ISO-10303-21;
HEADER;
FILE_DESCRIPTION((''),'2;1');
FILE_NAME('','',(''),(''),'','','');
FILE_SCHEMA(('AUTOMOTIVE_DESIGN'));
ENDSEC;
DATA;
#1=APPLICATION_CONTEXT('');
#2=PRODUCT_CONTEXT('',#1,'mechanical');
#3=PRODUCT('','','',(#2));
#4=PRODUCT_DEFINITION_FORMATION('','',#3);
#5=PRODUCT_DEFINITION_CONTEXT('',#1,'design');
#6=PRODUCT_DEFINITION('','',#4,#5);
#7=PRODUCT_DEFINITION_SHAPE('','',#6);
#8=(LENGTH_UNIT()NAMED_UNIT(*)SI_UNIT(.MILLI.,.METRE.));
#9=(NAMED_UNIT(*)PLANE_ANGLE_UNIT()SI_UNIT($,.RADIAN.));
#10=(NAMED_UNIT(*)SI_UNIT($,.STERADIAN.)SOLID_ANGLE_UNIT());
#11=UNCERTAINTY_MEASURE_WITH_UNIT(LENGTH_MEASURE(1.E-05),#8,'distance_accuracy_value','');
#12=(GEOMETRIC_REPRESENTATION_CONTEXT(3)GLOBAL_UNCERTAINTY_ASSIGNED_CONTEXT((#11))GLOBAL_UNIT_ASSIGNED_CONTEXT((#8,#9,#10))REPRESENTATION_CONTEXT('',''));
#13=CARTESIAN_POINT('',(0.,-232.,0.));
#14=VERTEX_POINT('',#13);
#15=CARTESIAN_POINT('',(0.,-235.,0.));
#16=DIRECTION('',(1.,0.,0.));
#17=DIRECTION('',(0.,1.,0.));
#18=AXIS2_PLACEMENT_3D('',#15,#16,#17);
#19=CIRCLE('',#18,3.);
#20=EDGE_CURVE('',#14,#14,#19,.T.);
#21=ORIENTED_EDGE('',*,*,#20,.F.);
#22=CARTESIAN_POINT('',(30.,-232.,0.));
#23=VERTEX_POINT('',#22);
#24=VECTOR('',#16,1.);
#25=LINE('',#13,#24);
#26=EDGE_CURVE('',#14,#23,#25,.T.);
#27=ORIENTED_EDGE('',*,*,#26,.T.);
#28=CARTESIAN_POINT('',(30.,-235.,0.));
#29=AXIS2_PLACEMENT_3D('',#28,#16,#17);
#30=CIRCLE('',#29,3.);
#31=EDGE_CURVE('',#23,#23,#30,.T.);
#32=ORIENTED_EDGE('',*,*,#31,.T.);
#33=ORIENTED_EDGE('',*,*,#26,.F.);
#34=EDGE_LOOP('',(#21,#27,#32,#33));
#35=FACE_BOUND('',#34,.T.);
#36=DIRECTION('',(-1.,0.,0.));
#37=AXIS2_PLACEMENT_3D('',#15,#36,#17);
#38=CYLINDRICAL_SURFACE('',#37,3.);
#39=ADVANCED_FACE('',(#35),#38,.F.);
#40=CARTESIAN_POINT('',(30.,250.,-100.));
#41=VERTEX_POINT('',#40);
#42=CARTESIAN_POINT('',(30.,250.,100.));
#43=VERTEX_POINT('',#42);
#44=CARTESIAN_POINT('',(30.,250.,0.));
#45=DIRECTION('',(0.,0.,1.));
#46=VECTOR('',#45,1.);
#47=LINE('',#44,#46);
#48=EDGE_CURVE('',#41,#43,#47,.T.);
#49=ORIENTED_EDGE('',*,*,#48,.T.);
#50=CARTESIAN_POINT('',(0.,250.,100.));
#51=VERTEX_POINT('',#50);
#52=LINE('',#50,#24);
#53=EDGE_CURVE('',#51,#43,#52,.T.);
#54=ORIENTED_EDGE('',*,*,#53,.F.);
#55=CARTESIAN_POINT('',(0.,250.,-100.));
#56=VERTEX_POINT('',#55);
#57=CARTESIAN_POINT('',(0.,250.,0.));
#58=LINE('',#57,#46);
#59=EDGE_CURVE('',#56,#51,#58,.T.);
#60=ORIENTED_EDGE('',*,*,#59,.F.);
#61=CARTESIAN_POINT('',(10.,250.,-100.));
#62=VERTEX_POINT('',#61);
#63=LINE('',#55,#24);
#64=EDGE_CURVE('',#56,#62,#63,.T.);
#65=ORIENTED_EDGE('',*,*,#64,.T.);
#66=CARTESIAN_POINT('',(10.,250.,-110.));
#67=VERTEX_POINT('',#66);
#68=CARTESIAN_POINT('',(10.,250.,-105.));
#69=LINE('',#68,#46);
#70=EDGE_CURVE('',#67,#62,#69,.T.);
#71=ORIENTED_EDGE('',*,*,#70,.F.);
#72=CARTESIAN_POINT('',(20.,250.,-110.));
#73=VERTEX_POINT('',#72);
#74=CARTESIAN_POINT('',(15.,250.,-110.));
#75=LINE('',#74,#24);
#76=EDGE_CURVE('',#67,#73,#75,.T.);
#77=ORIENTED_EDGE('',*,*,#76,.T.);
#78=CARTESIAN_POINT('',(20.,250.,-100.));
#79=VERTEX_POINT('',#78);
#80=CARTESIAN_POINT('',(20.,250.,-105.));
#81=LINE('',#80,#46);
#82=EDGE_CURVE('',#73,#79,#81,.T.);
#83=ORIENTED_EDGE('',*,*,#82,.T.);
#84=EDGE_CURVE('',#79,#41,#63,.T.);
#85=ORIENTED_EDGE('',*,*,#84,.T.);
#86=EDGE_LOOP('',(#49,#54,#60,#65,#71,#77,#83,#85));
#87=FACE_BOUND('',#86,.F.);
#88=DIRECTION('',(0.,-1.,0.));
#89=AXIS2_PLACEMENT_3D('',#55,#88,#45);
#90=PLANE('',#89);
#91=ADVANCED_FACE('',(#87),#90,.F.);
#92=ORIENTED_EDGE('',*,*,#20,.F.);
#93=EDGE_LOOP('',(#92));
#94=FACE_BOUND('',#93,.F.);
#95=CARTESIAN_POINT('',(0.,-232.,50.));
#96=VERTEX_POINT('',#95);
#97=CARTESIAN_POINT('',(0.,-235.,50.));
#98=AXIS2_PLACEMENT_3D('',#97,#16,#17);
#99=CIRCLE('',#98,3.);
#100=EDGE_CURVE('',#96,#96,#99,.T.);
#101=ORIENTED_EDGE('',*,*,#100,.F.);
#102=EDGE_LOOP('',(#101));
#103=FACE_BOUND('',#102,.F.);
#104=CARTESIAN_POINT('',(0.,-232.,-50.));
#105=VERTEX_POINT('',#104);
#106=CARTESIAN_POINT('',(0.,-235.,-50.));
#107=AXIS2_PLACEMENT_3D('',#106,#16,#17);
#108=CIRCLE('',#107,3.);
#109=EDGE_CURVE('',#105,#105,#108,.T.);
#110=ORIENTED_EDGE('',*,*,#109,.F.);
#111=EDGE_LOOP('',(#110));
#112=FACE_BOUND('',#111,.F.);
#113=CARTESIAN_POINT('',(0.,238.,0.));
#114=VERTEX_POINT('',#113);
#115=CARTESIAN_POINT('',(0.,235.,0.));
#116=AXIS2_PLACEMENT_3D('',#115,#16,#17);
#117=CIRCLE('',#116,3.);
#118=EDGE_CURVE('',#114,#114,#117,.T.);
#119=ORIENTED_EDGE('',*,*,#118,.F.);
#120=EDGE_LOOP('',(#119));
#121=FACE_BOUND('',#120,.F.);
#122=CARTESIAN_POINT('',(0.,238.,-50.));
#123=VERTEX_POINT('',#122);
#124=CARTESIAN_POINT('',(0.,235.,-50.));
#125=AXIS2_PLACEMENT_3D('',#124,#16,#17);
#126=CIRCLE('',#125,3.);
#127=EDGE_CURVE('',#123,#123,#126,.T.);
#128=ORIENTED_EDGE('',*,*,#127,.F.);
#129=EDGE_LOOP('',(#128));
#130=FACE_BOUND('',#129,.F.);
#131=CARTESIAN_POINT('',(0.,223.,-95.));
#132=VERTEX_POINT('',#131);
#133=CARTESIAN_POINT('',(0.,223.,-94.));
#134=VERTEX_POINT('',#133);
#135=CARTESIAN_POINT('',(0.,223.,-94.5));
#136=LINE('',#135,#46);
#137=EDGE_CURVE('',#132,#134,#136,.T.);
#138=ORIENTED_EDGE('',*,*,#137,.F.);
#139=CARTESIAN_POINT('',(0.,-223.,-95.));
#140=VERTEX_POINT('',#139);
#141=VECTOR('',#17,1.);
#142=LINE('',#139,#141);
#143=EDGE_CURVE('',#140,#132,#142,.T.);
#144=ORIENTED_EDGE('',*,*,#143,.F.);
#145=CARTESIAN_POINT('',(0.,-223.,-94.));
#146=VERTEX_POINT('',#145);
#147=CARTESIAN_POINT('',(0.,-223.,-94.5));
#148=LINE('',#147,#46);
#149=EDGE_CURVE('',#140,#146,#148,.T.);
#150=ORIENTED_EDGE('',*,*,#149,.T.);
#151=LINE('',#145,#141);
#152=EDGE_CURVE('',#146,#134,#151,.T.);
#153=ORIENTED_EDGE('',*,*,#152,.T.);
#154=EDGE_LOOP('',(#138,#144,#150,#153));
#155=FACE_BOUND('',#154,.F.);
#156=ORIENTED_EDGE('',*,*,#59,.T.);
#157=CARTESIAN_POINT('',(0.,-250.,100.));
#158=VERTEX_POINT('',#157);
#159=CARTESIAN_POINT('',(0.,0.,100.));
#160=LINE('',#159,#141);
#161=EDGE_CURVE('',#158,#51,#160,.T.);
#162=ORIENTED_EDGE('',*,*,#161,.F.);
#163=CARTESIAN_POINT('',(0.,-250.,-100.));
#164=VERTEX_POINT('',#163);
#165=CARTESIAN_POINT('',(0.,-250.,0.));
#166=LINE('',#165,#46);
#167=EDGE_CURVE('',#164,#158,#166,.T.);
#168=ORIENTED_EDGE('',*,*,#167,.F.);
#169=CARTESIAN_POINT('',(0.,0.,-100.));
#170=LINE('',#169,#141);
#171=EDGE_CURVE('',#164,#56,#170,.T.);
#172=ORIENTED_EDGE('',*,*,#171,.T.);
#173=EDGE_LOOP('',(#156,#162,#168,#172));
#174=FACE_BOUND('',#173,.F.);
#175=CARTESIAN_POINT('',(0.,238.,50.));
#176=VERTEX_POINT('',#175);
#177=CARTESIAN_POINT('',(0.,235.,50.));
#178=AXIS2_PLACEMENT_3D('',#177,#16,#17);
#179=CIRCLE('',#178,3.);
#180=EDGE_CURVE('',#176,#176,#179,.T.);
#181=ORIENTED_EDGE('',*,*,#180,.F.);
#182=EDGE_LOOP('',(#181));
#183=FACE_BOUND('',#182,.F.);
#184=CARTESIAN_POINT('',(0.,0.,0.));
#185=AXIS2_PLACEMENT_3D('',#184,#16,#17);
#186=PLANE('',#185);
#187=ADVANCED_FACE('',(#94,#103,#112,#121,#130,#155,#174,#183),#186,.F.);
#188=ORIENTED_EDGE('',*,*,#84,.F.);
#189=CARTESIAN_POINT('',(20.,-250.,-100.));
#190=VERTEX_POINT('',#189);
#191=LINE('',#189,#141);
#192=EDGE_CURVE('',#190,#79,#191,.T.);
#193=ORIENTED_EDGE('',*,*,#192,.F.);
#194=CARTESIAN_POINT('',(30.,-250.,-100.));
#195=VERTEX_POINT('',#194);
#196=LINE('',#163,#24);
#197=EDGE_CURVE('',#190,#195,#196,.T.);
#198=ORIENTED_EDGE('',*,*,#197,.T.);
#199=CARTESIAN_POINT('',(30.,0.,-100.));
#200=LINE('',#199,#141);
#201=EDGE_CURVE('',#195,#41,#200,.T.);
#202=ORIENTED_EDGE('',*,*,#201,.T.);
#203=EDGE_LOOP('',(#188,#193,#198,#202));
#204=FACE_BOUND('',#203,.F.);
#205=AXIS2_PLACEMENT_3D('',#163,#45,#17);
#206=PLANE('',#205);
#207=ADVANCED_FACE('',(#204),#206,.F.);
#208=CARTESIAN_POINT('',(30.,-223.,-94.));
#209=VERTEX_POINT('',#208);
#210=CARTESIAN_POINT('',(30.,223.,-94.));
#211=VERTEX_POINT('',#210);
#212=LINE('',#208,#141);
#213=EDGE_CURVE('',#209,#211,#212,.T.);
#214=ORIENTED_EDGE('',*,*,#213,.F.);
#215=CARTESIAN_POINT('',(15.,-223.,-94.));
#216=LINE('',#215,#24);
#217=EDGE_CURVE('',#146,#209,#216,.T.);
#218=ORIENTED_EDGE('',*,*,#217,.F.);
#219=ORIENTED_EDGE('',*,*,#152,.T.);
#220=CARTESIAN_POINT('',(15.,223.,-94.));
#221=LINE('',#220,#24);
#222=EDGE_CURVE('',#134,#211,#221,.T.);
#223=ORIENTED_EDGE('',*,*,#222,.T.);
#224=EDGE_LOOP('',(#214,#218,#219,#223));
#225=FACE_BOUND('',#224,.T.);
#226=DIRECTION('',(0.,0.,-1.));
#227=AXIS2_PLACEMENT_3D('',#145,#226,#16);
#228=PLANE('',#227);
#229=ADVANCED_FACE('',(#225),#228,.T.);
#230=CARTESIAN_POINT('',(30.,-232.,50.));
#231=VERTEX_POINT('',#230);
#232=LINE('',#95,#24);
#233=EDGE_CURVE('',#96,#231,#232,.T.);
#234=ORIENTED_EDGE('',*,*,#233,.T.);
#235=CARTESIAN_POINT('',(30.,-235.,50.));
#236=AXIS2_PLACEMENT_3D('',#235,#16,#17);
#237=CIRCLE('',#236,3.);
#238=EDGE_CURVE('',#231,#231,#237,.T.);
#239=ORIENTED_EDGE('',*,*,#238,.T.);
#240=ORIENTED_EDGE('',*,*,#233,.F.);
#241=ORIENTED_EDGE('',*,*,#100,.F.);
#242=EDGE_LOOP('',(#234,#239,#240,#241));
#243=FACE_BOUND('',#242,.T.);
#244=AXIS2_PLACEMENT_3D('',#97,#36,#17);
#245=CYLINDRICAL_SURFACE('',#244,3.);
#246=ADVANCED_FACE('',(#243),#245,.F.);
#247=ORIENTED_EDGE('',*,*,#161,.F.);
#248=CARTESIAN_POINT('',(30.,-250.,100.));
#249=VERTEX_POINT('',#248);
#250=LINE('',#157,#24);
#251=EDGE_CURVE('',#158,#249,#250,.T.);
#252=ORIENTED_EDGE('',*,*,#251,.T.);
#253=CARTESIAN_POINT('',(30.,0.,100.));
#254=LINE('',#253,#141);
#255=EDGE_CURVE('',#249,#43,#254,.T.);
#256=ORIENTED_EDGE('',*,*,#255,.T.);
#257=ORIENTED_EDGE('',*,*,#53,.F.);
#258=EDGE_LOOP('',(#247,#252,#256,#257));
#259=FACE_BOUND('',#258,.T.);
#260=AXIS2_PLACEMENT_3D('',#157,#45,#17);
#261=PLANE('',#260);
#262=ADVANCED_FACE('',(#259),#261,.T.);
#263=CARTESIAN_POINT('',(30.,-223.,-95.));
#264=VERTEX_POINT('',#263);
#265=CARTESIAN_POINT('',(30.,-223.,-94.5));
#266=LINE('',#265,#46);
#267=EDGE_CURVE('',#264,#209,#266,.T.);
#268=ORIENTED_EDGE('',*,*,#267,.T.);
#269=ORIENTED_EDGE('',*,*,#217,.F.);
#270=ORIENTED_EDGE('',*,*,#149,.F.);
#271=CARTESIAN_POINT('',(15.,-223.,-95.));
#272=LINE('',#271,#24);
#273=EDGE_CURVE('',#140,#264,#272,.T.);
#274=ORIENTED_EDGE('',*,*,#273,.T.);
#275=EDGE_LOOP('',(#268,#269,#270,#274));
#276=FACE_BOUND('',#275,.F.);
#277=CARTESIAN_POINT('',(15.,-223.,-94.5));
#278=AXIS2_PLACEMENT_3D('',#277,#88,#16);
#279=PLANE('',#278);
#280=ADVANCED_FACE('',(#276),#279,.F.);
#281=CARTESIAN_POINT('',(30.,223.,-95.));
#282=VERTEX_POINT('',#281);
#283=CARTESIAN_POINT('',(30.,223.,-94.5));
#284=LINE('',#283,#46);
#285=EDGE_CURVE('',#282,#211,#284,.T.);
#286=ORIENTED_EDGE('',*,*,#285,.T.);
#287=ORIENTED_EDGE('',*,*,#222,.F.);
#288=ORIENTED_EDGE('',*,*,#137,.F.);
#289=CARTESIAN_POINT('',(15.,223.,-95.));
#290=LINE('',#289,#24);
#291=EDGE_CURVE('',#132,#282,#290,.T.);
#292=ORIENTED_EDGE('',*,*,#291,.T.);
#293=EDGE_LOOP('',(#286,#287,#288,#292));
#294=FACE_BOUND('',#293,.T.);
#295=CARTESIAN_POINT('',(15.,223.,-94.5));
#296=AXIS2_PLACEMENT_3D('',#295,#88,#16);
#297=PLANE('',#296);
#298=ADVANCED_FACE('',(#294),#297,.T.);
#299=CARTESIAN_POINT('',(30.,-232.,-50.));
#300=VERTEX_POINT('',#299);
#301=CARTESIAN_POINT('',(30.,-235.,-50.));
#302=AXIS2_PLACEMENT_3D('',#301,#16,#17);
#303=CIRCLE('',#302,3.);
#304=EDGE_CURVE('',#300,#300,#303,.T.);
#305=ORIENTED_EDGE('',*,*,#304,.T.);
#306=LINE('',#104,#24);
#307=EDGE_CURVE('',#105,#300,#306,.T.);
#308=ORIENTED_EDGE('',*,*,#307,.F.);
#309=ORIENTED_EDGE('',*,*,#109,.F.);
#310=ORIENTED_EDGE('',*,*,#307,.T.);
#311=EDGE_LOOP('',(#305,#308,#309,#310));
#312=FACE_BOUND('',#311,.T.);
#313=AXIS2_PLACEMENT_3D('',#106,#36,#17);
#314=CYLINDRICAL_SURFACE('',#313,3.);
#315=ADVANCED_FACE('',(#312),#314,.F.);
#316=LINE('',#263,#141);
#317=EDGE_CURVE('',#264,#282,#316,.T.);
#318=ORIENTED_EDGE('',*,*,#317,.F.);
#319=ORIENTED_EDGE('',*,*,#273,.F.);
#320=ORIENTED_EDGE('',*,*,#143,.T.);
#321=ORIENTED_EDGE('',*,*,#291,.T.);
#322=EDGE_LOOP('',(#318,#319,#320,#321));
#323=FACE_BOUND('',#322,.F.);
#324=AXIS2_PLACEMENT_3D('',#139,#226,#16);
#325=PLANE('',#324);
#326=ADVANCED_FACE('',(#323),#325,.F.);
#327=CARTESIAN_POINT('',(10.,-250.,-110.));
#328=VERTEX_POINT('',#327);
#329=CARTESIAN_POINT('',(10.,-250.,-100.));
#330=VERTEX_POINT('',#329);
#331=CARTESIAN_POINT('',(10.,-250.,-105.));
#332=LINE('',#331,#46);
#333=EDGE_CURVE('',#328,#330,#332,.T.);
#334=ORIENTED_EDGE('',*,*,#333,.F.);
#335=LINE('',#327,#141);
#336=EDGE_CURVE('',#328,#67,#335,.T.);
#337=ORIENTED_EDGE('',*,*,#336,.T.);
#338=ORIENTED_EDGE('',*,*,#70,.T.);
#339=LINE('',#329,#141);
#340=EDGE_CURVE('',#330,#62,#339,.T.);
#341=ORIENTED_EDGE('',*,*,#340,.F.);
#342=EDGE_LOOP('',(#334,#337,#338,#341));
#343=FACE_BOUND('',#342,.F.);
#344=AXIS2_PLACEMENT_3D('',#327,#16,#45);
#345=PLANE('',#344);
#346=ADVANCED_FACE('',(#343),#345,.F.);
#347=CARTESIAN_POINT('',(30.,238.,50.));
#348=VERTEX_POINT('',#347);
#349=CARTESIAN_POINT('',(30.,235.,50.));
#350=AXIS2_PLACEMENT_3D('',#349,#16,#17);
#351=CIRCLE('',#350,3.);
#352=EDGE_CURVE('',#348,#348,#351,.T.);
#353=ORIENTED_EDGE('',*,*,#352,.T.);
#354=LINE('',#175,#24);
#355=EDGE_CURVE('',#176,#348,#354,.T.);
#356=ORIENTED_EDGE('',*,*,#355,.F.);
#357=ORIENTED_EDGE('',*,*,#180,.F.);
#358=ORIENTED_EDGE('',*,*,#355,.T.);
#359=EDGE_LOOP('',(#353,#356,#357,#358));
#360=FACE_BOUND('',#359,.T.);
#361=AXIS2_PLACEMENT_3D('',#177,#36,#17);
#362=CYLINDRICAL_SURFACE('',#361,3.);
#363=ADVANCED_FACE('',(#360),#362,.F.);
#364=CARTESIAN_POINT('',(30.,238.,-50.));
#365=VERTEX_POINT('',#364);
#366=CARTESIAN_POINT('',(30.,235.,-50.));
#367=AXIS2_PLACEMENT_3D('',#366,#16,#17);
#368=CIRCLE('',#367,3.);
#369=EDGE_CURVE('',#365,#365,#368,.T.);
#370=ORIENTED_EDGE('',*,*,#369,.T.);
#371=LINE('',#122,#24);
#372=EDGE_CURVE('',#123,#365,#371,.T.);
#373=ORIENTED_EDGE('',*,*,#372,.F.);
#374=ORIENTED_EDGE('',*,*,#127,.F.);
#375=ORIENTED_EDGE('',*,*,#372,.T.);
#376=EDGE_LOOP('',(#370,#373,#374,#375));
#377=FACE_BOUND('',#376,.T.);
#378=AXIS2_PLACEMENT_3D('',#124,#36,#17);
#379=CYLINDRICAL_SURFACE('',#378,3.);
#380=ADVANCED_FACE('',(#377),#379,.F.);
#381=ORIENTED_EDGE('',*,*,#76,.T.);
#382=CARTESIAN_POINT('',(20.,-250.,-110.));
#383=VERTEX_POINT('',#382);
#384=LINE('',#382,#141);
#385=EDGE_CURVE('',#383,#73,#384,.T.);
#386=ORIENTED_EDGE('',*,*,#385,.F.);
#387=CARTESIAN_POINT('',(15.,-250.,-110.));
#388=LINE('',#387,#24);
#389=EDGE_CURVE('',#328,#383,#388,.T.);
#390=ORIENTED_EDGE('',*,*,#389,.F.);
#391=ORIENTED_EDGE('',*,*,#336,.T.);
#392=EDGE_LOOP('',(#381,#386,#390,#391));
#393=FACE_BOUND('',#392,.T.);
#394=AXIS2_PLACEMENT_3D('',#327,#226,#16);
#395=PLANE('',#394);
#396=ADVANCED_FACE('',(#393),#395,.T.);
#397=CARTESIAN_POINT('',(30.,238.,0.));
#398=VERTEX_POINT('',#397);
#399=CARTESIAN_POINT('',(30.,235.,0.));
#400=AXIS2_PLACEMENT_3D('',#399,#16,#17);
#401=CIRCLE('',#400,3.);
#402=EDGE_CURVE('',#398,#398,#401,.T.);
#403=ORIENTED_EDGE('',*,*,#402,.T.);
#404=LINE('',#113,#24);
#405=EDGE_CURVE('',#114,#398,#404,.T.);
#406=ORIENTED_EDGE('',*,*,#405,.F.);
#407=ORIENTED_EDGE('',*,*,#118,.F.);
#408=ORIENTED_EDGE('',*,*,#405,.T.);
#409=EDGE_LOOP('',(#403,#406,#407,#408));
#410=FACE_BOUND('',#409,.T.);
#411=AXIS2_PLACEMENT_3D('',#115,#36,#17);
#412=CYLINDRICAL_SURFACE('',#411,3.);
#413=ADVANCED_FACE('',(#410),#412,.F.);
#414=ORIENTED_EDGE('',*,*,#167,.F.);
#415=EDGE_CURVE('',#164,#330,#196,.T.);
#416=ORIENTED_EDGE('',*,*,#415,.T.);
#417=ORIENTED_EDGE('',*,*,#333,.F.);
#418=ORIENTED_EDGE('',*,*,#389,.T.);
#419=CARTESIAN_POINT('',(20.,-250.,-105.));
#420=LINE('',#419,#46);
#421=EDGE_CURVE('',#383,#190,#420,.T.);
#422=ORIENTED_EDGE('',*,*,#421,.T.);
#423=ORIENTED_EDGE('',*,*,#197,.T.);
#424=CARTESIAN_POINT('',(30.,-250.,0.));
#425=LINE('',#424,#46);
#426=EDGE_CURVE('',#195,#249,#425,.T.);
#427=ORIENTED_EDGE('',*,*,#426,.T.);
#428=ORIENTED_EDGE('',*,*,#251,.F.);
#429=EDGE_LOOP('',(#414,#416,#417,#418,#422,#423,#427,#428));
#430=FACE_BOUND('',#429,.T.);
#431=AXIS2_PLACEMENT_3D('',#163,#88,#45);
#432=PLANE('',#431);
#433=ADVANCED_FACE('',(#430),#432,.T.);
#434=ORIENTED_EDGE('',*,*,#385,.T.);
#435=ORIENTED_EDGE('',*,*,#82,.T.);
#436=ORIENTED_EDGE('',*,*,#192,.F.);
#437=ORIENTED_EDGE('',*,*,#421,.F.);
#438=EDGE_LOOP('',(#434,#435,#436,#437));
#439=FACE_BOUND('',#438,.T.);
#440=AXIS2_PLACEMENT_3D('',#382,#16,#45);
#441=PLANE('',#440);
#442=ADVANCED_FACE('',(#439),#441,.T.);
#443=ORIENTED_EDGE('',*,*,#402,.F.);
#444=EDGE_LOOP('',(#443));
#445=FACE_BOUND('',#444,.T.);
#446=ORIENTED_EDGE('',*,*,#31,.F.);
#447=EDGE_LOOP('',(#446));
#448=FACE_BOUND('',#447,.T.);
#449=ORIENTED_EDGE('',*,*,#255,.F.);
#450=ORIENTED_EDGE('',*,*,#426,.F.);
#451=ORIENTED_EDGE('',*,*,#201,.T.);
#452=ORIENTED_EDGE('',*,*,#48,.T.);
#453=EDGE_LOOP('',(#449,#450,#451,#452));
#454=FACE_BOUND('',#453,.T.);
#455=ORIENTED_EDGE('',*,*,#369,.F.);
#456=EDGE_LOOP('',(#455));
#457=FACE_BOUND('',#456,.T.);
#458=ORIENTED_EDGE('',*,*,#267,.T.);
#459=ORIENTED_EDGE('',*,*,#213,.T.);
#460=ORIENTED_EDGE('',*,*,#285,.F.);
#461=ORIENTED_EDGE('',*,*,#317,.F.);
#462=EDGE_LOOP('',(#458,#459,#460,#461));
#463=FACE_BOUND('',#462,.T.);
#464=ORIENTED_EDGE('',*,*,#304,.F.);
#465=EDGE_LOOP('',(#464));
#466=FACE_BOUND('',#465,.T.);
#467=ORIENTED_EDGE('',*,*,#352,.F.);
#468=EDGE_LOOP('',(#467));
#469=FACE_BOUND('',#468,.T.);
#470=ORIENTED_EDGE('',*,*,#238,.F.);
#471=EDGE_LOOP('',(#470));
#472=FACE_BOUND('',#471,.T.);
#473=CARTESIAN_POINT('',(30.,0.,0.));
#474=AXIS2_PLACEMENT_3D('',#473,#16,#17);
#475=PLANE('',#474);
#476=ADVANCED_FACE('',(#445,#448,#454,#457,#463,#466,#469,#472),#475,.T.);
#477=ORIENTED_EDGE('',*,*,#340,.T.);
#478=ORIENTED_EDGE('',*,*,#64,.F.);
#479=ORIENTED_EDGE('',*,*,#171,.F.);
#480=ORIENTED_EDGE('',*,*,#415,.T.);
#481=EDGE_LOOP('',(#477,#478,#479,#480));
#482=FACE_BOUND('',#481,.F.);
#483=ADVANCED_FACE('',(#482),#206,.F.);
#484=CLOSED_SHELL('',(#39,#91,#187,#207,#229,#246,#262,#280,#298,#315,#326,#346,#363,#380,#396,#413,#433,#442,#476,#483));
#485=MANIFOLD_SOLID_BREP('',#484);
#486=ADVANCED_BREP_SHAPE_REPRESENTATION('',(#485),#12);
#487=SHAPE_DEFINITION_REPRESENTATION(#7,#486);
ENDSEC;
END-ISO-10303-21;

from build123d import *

# Parameters (mm, degrees)
F0_W     = 500
F0_H     = 200
F0_R     = 3
F1_DEPTH = 30
F2_W     = 10
F2_H     = 10
F3_DEPTH = 500
F5_START = -27
F4_W     = 30
F4_H     = 1
F5_DEPTH = 446


with BuildPart() as f1:
    # F0 (on Right) → F1 (new body)
    with BuildSketch(Plane.YZ):
        Rectangle(F0_W, F0_H)
        with Locations((-235, -50)):
            Circle(F0_R, mode=Mode.SUBTRACT)
        with Locations((235, -50)):
            Circle(F0_R, mode=Mode.SUBTRACT)
        with Locations((-235, 0)):
            Circle(F0_R, mode=Mode.SUBTRACT)
        with Locations((-235, 50)):
            Circle(F0_R, mode=Mode.SUBTRACT)
        with Locations((235, 0)):
            Circle(F0_R, mode=Mode.SUBTRACT)
        with Locations((235, 50)):
            Circle(F0_R, mode=Mode.SUBTRACT)
    extrude(amount=F1_DEPTH)

    # F2 (on face) → F3 (join)
    with BuildSketch(Plane.XZ.offset(250)):
        with Locations((15, -105)):
            Rectangle(F2_W, F2_H)
    extrude(amount=-F3_DEPTH)

    # F4 (on face) → F5 (cut)
    with BuildSketch(Plane.XZ.offset(250).offset(F5_START)):
        with Locations((15, -94.5)):
            Rectangle(F4_W, F4_H)
    extrude(amount=-F5_DEPTH, mode=Mode.SUBTRACT)


solid = f1.part
